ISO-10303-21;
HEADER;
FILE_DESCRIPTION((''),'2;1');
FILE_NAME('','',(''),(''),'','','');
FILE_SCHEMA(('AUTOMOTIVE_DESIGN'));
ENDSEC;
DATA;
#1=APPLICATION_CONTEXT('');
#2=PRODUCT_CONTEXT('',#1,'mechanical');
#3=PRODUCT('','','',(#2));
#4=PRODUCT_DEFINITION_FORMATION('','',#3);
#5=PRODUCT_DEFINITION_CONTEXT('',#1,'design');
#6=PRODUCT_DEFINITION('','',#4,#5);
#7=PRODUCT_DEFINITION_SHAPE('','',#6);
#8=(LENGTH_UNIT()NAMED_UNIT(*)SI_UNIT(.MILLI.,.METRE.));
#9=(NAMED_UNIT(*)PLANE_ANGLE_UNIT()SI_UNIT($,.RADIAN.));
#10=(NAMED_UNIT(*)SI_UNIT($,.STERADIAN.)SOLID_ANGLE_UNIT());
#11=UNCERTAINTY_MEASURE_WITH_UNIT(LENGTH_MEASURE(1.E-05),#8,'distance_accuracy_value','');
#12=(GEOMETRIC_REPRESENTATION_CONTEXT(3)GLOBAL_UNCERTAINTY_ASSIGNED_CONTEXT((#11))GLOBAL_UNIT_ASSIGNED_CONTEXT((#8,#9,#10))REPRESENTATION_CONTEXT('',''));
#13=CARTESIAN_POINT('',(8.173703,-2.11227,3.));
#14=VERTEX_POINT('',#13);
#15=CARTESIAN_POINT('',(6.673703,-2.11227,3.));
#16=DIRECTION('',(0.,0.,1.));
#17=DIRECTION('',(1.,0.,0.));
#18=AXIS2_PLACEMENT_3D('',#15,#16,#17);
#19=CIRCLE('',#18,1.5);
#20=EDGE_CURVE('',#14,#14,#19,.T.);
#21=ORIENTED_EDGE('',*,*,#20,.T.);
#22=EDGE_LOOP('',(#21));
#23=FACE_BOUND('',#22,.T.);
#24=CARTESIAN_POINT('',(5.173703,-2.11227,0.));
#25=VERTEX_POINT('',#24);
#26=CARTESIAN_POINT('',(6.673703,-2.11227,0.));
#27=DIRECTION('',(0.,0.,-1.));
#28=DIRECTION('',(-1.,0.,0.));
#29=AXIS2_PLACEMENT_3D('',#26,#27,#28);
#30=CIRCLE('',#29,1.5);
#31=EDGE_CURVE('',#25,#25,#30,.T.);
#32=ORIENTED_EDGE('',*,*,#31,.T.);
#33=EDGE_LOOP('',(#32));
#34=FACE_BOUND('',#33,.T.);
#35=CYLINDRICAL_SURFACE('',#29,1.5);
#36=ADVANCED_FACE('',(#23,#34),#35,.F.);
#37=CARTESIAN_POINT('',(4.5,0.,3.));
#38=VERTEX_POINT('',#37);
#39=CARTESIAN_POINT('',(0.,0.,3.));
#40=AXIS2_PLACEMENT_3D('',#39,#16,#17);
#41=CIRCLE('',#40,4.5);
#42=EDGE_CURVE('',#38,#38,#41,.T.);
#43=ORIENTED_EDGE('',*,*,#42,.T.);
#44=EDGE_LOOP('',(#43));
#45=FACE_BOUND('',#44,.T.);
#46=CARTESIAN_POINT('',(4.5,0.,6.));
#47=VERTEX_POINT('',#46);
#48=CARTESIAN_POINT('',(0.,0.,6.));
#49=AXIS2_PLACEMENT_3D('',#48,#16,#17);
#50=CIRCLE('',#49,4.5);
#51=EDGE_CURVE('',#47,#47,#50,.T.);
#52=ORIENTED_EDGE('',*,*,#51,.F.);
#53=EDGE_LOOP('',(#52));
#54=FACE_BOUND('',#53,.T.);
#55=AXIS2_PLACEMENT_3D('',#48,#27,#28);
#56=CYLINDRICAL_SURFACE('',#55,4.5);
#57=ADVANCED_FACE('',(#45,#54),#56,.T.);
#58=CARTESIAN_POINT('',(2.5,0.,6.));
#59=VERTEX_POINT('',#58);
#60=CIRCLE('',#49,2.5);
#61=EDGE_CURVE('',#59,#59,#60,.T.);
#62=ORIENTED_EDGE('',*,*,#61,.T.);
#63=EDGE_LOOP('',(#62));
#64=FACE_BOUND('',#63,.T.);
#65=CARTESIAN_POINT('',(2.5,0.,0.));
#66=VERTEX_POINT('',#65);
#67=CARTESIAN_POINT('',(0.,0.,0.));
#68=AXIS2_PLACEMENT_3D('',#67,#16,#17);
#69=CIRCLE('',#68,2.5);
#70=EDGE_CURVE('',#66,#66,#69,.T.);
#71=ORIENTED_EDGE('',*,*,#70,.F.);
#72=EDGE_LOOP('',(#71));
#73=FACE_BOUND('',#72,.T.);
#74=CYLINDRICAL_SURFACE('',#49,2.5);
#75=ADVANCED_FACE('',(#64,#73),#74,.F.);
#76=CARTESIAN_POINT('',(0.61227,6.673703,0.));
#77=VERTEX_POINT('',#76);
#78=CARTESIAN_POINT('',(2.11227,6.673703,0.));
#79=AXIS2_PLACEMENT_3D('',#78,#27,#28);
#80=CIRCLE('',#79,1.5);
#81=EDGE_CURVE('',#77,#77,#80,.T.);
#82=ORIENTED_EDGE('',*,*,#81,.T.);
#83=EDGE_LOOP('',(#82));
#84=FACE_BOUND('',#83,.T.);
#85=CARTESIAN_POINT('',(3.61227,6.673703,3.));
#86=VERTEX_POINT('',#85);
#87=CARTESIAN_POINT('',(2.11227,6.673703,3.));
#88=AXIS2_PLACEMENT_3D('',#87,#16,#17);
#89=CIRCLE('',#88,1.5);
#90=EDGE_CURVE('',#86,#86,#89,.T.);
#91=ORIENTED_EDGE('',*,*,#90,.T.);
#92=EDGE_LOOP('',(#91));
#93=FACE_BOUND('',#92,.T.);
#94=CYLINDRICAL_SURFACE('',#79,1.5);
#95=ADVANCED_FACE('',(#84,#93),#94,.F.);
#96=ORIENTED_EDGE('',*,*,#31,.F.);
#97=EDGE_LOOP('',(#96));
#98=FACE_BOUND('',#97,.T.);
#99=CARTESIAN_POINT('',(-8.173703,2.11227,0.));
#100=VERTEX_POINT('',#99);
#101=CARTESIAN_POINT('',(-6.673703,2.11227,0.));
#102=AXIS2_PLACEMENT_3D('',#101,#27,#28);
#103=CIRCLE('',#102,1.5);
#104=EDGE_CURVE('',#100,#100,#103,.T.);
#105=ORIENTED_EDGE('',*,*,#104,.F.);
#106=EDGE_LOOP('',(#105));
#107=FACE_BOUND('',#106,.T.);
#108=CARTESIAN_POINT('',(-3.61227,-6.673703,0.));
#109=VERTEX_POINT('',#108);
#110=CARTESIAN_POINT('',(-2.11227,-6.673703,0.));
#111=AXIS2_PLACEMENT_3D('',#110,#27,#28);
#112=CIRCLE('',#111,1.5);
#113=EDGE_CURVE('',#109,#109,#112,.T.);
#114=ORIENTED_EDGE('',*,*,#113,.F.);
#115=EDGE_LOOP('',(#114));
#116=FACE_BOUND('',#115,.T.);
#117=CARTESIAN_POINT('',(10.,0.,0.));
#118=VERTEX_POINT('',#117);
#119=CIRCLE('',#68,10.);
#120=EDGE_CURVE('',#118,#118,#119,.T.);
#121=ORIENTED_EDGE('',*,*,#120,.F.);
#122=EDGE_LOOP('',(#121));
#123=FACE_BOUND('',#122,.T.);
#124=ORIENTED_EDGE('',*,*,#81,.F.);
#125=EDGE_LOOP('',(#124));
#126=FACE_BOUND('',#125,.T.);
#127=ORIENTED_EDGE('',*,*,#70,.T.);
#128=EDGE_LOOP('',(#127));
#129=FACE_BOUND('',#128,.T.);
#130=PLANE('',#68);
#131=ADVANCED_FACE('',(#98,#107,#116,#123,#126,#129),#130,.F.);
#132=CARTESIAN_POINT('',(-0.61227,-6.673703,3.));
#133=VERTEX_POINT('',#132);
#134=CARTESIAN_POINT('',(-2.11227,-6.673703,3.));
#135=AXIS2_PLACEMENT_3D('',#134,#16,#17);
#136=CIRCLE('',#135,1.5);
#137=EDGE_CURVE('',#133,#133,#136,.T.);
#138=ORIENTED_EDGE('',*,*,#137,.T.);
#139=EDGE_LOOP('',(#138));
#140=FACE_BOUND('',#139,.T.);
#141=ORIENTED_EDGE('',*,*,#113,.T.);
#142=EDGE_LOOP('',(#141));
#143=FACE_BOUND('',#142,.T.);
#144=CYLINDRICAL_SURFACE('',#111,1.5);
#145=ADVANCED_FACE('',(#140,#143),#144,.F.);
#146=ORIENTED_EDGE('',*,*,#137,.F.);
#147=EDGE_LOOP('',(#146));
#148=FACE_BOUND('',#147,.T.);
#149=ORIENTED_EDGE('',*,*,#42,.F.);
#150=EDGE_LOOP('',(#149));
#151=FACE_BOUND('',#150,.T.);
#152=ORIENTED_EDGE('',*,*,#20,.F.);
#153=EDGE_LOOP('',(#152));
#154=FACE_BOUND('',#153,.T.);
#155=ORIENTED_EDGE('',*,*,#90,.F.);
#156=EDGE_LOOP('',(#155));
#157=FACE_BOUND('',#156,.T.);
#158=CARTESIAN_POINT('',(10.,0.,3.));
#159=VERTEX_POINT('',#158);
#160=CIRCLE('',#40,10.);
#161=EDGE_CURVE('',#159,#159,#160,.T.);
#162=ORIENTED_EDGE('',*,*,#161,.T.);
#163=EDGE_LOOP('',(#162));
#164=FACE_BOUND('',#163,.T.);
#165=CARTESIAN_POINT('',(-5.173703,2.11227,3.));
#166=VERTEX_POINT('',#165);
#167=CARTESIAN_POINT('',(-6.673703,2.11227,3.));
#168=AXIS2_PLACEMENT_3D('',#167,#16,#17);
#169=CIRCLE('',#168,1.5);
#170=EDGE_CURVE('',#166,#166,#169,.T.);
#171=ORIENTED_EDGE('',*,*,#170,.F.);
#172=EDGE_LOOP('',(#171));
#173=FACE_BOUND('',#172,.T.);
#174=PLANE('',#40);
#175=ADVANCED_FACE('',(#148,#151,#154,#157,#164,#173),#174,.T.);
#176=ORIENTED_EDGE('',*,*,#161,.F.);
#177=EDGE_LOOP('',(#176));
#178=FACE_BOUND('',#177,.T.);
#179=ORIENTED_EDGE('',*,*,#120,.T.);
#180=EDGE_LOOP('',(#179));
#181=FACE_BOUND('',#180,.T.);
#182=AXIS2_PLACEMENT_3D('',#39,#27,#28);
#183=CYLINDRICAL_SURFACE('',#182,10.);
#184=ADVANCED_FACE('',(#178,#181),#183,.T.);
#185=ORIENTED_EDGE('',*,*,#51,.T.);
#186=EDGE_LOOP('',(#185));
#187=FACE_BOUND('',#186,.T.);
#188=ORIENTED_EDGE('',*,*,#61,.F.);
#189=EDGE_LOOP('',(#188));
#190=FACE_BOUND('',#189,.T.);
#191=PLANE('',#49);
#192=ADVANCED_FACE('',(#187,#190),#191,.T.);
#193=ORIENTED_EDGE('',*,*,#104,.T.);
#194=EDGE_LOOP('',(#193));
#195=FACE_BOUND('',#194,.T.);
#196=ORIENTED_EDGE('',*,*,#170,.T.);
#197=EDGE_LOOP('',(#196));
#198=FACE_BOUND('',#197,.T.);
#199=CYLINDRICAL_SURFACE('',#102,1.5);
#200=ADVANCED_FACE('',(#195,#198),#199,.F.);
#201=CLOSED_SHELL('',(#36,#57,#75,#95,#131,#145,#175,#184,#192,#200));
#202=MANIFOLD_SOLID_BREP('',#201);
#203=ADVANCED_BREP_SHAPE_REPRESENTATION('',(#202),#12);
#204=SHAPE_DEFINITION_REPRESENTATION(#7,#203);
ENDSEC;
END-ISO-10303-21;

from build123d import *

# Parameters (mm, degrees)
SKETCH1_R             = 10
BOSS_EXTRUDE1_DEPTH   = 3
SKETCH2_R             = 4.5
BOSS_EXTRUDE2_DEPTH   = 3
F_3_0MM_DOWEL_HOLE1_D = 3
F_5_0MM_DOWEL_HOLE1_D = 5


with BuildPart() as part:
    # Sketch1 → Boss-Extrude1 (new body)
    with BuildSketch(Plane.XY):
        Circle(SKETCH1_R)
    extrude(amount=BOSS_EXTRUDE1_DEPTH)

    # Sketch2 → Boss-Extrude2 (add)
    with BuildSketch(Plane.XY.offset(3)):
        Circle(SKETCH2_R)
    extrude(amount=BOSS_EXTRUDE2_DEPTH)

    # Ø3.0mm Dowel Hole1 (through all)
    with Locations(Plane(origin=(0, 0, 0), x_dir=(-1, 0, 0), z_dir=(0, 0, -1))):
        with Locations((6.673703276, 2.112270007), (2.112270007, -6.673703276), (-6.673703276, -2.112270007), (-2.112270007, 6.673703276)):
            Hole(F_3_0MM_DOWEL_HOLE1_D / 2)

    # Ø5.0mm Dowel Hole1 (through all)
    with Locations(Plane.XY.offset(6)):
        with Locations((0, 0)):
            Hole(F_5_0MM_DOWEL_HOLE1_D / 2)


solid = part.part
